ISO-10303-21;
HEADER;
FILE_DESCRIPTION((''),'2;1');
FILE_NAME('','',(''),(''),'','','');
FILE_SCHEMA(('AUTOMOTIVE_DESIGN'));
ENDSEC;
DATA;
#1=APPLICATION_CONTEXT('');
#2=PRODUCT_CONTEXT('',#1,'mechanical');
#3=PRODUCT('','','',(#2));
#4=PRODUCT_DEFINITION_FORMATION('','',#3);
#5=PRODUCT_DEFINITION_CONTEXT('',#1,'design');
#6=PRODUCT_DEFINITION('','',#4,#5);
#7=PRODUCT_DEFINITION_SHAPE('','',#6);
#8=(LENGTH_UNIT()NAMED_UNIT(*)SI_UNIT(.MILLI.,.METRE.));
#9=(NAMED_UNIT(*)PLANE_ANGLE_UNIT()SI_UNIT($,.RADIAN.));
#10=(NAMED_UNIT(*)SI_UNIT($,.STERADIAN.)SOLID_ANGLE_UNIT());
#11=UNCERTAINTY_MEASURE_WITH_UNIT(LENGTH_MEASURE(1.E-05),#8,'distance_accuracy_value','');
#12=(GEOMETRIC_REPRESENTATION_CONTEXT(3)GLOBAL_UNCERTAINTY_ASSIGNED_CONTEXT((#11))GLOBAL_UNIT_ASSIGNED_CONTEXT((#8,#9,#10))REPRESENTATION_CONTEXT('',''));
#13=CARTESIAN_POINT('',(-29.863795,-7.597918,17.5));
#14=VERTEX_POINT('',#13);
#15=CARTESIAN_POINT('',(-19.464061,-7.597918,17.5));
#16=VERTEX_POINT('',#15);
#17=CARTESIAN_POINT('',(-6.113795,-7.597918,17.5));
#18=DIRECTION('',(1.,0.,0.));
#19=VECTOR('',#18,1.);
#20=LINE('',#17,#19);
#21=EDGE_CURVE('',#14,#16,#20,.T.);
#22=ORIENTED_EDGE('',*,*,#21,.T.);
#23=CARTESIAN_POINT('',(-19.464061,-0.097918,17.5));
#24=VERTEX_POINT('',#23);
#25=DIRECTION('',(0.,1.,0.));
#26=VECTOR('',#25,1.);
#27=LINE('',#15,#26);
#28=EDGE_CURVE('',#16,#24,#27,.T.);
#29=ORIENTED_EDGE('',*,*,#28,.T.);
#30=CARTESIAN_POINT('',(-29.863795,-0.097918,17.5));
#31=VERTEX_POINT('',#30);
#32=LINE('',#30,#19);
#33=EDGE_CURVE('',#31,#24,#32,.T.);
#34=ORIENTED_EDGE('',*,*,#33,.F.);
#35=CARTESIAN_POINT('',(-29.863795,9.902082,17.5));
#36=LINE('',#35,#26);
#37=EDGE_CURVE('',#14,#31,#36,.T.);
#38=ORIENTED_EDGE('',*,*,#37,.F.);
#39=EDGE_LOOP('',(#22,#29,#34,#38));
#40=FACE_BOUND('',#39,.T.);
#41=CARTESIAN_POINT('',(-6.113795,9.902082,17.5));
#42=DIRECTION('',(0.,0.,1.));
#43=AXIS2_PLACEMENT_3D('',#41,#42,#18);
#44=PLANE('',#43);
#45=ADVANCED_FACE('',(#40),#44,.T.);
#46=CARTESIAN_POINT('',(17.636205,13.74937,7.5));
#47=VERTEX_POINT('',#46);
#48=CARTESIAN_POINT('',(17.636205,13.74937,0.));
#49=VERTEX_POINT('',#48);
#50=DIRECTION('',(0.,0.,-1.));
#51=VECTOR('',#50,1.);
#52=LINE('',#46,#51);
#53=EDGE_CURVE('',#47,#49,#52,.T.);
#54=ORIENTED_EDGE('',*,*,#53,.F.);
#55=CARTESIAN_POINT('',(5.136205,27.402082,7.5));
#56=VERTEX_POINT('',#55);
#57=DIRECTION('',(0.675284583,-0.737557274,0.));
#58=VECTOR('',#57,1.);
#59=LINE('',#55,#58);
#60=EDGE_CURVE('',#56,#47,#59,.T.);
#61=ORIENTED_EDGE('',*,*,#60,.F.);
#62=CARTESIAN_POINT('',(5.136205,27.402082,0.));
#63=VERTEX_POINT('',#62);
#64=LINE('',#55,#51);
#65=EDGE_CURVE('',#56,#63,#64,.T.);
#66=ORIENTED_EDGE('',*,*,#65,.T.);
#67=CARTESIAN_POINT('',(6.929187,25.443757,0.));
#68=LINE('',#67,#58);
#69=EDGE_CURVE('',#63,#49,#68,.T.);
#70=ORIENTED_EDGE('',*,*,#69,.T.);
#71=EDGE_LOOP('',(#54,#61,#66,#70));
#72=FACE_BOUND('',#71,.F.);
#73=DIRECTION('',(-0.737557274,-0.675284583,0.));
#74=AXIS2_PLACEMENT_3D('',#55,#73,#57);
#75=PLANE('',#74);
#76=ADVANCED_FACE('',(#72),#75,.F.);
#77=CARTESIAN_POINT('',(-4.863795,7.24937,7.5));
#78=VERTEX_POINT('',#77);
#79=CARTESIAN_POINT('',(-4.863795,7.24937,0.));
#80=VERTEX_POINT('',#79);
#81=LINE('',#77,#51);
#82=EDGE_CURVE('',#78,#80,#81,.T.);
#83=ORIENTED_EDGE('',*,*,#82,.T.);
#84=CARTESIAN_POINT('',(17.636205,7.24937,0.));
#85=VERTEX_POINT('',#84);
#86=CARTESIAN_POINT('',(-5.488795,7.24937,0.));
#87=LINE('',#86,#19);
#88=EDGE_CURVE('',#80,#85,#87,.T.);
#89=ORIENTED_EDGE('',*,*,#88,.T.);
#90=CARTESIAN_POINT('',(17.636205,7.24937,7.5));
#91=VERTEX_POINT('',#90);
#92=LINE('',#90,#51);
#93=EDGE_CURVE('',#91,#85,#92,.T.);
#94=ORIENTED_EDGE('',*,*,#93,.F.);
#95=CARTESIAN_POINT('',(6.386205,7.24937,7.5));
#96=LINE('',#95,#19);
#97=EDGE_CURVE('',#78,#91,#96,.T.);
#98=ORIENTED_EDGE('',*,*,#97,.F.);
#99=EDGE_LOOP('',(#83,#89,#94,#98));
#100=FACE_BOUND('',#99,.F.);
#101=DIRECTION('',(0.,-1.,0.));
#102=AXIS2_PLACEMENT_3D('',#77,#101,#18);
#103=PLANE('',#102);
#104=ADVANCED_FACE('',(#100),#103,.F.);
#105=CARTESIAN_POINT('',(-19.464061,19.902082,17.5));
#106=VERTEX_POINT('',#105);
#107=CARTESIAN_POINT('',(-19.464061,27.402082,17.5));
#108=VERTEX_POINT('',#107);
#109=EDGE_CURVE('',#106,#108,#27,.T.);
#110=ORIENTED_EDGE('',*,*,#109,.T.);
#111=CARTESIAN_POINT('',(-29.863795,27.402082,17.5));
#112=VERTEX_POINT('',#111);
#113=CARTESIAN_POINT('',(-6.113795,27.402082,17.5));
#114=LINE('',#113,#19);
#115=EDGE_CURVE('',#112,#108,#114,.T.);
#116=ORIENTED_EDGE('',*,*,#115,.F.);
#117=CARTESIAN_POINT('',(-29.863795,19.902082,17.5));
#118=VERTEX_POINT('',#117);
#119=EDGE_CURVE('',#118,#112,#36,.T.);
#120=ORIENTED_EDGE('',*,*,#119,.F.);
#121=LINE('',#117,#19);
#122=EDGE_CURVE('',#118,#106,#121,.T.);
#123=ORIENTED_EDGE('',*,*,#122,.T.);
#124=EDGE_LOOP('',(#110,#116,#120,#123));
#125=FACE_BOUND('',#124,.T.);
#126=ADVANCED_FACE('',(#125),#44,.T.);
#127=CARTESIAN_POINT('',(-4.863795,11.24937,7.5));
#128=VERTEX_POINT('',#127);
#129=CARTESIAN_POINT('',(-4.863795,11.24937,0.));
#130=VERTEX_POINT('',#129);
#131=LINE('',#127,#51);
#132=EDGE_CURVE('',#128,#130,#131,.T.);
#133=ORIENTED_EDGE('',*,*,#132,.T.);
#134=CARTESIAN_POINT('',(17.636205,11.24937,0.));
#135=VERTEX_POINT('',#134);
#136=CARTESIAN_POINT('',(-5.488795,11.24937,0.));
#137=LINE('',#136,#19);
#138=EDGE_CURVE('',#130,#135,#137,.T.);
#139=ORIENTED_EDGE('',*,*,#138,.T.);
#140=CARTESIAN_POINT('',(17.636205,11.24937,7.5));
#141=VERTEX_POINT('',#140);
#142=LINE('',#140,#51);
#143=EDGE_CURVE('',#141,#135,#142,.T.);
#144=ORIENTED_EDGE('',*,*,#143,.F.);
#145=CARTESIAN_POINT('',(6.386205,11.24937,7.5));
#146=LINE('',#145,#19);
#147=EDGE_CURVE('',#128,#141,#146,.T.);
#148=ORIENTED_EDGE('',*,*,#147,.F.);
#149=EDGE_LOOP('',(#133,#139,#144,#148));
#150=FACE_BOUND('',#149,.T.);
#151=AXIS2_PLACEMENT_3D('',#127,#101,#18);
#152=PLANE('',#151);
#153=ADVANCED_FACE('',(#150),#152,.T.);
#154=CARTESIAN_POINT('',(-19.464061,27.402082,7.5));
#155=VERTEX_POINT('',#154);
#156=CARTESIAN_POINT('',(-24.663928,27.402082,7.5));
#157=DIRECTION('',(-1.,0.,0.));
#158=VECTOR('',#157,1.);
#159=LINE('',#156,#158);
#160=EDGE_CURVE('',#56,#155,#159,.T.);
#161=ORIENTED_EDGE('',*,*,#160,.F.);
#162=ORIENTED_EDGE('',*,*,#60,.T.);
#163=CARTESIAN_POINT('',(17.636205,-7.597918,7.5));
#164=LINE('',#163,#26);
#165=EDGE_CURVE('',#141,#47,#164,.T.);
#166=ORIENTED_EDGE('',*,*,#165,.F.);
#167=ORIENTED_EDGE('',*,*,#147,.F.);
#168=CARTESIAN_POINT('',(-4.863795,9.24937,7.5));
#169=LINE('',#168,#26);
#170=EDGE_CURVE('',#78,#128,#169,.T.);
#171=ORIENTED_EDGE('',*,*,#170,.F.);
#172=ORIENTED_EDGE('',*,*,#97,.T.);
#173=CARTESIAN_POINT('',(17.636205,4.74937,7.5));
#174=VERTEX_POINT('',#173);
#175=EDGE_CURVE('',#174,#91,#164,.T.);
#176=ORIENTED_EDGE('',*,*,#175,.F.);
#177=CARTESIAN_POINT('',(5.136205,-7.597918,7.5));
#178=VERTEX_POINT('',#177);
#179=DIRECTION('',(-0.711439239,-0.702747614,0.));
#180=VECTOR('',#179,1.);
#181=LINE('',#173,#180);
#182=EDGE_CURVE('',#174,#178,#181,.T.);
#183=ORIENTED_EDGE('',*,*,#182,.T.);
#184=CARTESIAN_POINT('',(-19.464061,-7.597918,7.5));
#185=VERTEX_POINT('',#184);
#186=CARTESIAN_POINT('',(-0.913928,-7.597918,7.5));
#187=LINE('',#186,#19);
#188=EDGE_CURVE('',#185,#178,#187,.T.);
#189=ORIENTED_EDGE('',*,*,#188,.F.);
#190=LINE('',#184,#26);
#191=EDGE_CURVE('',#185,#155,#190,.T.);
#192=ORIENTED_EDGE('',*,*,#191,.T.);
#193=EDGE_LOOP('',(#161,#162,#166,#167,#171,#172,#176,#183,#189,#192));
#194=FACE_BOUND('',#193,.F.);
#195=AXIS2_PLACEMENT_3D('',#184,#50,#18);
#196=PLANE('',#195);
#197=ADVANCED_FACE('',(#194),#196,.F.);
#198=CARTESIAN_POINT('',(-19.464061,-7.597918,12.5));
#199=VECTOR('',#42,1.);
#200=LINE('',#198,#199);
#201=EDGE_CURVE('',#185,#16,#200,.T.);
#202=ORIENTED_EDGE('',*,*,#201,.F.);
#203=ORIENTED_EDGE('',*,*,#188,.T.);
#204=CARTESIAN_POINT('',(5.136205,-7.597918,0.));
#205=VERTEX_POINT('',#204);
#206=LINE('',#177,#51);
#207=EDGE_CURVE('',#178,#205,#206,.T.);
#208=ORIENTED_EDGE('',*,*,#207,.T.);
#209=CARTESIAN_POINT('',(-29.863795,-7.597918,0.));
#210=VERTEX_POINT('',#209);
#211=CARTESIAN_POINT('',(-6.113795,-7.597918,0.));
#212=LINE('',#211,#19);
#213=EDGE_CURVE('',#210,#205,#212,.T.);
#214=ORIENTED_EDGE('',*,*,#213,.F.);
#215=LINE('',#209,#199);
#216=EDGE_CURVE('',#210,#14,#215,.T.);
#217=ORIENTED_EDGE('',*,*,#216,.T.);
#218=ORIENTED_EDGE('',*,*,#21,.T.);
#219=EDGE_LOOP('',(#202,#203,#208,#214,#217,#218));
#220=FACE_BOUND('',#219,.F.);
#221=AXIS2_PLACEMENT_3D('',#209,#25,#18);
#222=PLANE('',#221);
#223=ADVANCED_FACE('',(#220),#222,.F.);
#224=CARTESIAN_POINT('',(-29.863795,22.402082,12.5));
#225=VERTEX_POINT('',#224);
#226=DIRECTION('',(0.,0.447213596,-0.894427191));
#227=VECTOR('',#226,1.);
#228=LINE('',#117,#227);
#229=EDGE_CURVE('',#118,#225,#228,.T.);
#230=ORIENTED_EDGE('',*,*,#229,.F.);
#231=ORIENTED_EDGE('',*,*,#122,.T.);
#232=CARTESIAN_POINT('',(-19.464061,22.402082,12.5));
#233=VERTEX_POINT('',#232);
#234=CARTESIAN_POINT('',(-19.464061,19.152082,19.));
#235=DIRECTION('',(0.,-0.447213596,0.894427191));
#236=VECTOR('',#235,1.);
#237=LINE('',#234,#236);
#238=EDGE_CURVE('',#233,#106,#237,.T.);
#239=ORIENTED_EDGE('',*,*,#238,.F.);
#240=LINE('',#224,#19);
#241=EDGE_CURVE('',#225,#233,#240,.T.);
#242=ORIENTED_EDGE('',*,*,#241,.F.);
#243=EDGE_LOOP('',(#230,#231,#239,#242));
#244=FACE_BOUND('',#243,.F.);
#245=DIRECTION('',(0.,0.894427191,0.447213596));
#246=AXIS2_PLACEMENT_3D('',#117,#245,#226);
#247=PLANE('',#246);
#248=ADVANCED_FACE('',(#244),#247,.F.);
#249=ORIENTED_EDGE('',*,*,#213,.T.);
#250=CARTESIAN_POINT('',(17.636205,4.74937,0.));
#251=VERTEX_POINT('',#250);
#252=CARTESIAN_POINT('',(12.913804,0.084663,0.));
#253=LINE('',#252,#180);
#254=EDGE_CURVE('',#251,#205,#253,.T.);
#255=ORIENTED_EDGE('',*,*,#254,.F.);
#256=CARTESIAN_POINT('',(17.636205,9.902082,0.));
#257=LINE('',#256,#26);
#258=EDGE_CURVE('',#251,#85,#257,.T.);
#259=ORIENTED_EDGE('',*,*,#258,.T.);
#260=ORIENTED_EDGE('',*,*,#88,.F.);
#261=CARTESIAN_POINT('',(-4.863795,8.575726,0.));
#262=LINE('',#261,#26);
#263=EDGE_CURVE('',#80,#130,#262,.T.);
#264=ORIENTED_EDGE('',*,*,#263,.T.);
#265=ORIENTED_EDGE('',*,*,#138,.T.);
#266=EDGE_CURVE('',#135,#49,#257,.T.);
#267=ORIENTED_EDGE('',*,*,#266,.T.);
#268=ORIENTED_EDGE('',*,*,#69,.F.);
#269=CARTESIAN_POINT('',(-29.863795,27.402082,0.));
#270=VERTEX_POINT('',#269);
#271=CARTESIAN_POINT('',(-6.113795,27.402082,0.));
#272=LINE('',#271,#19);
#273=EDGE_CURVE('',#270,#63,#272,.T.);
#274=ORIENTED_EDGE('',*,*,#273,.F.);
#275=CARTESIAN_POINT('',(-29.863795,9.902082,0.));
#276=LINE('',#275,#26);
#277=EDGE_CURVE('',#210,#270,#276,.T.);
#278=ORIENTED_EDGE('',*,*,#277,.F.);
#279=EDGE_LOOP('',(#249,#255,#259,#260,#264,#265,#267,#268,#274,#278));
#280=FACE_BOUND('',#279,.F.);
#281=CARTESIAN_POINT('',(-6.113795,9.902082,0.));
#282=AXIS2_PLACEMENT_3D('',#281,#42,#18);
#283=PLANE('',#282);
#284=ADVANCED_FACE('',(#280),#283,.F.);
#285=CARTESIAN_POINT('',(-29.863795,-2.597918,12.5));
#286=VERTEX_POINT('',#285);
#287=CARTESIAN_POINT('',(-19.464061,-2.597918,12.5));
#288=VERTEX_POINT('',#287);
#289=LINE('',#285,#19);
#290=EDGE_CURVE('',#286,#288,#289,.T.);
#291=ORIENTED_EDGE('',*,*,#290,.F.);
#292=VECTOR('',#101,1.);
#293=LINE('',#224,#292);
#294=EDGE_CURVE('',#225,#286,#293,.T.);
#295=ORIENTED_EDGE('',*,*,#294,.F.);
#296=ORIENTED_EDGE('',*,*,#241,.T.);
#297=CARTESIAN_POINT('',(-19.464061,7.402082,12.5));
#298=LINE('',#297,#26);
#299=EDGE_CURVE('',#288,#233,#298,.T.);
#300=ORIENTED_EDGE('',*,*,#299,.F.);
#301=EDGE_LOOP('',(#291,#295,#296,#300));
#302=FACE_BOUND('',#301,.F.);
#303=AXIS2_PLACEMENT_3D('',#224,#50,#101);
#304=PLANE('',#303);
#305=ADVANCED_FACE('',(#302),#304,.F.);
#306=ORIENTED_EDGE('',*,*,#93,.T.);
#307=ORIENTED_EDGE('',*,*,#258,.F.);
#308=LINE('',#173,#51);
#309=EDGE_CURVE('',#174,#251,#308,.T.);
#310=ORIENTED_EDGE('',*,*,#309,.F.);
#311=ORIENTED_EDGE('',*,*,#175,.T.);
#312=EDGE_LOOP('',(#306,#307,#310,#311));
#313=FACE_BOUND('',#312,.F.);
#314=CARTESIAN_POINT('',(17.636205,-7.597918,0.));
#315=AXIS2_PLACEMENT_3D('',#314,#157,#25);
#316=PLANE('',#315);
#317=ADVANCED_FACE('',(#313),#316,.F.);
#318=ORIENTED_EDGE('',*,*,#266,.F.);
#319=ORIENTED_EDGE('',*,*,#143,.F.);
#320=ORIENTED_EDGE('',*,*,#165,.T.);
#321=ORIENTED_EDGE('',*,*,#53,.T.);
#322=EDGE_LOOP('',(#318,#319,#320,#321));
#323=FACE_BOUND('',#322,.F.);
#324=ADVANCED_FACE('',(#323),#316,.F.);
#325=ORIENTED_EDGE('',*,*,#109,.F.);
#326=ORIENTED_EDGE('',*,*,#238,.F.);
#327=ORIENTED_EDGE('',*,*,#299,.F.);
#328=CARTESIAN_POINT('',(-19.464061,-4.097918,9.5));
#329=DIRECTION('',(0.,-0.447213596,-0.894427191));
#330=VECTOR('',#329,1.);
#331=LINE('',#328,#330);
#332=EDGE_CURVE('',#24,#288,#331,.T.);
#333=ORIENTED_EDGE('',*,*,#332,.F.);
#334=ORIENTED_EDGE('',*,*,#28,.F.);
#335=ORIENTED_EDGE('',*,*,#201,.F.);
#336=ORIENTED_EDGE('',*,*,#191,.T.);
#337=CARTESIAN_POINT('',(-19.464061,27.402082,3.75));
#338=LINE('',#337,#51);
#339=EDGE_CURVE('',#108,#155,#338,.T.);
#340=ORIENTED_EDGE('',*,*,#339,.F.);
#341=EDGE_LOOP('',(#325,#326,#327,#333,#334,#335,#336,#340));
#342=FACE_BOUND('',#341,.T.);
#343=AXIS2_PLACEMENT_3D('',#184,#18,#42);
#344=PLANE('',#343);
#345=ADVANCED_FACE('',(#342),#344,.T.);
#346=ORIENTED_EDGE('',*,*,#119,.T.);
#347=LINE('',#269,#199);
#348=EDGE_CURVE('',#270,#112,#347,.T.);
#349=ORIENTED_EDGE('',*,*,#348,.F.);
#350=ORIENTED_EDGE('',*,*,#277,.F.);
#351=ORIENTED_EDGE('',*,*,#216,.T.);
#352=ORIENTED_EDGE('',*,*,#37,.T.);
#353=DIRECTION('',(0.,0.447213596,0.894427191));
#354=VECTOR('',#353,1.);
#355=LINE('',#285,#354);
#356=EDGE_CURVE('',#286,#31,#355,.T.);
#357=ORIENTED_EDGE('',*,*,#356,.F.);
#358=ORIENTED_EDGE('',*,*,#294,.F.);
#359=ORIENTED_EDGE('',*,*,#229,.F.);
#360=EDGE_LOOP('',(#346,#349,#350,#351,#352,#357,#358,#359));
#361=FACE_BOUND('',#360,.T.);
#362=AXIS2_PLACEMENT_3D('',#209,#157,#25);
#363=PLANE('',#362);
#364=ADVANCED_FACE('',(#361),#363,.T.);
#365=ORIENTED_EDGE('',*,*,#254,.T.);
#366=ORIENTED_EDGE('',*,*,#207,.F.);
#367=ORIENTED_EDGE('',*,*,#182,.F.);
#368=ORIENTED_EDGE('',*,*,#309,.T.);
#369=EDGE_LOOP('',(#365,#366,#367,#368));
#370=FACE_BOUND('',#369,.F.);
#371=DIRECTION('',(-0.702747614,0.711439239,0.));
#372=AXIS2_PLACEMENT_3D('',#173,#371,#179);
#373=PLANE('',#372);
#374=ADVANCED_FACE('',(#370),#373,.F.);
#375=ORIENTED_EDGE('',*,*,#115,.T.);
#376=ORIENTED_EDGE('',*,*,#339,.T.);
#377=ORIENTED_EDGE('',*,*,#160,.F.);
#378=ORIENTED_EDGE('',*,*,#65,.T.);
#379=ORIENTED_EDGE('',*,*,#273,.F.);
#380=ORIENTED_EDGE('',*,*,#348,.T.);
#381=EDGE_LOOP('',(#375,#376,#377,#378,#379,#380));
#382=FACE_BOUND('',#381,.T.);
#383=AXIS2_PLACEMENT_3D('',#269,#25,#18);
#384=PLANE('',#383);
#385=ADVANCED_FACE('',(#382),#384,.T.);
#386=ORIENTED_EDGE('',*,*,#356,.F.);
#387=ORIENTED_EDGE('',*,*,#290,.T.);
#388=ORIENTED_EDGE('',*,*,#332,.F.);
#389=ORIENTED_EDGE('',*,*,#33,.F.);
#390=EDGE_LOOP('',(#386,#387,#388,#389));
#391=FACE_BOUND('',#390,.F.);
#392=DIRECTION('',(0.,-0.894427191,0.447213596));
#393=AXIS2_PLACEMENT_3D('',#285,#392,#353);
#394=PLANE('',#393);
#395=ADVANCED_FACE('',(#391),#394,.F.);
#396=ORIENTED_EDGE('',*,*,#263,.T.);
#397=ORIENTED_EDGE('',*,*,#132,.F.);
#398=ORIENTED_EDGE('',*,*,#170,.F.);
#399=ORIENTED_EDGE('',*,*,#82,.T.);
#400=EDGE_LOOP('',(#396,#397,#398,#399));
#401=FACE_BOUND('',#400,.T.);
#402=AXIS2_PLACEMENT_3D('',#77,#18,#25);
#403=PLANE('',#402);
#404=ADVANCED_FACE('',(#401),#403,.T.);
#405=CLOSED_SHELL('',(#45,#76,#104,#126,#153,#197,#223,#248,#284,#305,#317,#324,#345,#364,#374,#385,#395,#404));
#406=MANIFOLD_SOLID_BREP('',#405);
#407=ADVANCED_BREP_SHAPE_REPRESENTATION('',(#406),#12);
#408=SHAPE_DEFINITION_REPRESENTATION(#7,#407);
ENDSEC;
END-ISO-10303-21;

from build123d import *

# Parameters (mm, degrees)
F0_W     = 47.5
F0_H     = 35
F1_DEPTH = 17.5
F2_W     = 37.100266
F2_H     = 10
F3_DEPTH = 35.001
F5_DEPTH = 47.501
F6_W     = 22.5
F6_H     = 4
F7_DEPTH = 7.501


with BuildPart() as f1:
    # F0 (on Top) → F1 (new body)
    with BuildSketch(Plane.XY):
        with Locations((-6.113795, 9.902082)):
            Rectangle(F0_W, F0_H)
    extrude(amount=F1_DEPTH)

    # F2 (on face) → F3 (cut, through all)
    with BuildSketch(Plane.XZ.offset(7.597918)):
        with Locations((-0.913928, 12.5)):
            Rectangle(F2_W, F2_H)
    extrude(amount=-F3_DEPTH, mode=Mode.SUBTRACT)

    # F4 (on face) → F5 (cut, through all)
    with BuildSketch(Plane(origin=(-29.863795, 0, 0), x_dir=(0, -1, 0), z_dir=(-1, 0, 0))):
        Polygon((-19.902082, 17.5), (-22.402082, 12.5), (2.597918, 12.5), (0.097918, 17.5), align=None)
    extrude(amount=-F5_DEPTH, mode=Mode.SUBTRACT)

    # F6 (on face) → F7 (cut, through all)
    with BuildSketch(Plane.XY.offset(7.5)):
        Polygon((5.136205, -7.597918), (17.636205, -7.597918), (17.636205, 4.74937), align=None)
        Polygon((17.636205, 27.402082), (5.136205, 27.402082), (17.636205, 13.74937), align=None)
        with Locations((6.386205, 9.24937)):
            Rectangle(F6_W, F6_H)
    extrude(amount=-F7_DEPTH, mode=Mode.SUBTRACT)


solid = f1.part
